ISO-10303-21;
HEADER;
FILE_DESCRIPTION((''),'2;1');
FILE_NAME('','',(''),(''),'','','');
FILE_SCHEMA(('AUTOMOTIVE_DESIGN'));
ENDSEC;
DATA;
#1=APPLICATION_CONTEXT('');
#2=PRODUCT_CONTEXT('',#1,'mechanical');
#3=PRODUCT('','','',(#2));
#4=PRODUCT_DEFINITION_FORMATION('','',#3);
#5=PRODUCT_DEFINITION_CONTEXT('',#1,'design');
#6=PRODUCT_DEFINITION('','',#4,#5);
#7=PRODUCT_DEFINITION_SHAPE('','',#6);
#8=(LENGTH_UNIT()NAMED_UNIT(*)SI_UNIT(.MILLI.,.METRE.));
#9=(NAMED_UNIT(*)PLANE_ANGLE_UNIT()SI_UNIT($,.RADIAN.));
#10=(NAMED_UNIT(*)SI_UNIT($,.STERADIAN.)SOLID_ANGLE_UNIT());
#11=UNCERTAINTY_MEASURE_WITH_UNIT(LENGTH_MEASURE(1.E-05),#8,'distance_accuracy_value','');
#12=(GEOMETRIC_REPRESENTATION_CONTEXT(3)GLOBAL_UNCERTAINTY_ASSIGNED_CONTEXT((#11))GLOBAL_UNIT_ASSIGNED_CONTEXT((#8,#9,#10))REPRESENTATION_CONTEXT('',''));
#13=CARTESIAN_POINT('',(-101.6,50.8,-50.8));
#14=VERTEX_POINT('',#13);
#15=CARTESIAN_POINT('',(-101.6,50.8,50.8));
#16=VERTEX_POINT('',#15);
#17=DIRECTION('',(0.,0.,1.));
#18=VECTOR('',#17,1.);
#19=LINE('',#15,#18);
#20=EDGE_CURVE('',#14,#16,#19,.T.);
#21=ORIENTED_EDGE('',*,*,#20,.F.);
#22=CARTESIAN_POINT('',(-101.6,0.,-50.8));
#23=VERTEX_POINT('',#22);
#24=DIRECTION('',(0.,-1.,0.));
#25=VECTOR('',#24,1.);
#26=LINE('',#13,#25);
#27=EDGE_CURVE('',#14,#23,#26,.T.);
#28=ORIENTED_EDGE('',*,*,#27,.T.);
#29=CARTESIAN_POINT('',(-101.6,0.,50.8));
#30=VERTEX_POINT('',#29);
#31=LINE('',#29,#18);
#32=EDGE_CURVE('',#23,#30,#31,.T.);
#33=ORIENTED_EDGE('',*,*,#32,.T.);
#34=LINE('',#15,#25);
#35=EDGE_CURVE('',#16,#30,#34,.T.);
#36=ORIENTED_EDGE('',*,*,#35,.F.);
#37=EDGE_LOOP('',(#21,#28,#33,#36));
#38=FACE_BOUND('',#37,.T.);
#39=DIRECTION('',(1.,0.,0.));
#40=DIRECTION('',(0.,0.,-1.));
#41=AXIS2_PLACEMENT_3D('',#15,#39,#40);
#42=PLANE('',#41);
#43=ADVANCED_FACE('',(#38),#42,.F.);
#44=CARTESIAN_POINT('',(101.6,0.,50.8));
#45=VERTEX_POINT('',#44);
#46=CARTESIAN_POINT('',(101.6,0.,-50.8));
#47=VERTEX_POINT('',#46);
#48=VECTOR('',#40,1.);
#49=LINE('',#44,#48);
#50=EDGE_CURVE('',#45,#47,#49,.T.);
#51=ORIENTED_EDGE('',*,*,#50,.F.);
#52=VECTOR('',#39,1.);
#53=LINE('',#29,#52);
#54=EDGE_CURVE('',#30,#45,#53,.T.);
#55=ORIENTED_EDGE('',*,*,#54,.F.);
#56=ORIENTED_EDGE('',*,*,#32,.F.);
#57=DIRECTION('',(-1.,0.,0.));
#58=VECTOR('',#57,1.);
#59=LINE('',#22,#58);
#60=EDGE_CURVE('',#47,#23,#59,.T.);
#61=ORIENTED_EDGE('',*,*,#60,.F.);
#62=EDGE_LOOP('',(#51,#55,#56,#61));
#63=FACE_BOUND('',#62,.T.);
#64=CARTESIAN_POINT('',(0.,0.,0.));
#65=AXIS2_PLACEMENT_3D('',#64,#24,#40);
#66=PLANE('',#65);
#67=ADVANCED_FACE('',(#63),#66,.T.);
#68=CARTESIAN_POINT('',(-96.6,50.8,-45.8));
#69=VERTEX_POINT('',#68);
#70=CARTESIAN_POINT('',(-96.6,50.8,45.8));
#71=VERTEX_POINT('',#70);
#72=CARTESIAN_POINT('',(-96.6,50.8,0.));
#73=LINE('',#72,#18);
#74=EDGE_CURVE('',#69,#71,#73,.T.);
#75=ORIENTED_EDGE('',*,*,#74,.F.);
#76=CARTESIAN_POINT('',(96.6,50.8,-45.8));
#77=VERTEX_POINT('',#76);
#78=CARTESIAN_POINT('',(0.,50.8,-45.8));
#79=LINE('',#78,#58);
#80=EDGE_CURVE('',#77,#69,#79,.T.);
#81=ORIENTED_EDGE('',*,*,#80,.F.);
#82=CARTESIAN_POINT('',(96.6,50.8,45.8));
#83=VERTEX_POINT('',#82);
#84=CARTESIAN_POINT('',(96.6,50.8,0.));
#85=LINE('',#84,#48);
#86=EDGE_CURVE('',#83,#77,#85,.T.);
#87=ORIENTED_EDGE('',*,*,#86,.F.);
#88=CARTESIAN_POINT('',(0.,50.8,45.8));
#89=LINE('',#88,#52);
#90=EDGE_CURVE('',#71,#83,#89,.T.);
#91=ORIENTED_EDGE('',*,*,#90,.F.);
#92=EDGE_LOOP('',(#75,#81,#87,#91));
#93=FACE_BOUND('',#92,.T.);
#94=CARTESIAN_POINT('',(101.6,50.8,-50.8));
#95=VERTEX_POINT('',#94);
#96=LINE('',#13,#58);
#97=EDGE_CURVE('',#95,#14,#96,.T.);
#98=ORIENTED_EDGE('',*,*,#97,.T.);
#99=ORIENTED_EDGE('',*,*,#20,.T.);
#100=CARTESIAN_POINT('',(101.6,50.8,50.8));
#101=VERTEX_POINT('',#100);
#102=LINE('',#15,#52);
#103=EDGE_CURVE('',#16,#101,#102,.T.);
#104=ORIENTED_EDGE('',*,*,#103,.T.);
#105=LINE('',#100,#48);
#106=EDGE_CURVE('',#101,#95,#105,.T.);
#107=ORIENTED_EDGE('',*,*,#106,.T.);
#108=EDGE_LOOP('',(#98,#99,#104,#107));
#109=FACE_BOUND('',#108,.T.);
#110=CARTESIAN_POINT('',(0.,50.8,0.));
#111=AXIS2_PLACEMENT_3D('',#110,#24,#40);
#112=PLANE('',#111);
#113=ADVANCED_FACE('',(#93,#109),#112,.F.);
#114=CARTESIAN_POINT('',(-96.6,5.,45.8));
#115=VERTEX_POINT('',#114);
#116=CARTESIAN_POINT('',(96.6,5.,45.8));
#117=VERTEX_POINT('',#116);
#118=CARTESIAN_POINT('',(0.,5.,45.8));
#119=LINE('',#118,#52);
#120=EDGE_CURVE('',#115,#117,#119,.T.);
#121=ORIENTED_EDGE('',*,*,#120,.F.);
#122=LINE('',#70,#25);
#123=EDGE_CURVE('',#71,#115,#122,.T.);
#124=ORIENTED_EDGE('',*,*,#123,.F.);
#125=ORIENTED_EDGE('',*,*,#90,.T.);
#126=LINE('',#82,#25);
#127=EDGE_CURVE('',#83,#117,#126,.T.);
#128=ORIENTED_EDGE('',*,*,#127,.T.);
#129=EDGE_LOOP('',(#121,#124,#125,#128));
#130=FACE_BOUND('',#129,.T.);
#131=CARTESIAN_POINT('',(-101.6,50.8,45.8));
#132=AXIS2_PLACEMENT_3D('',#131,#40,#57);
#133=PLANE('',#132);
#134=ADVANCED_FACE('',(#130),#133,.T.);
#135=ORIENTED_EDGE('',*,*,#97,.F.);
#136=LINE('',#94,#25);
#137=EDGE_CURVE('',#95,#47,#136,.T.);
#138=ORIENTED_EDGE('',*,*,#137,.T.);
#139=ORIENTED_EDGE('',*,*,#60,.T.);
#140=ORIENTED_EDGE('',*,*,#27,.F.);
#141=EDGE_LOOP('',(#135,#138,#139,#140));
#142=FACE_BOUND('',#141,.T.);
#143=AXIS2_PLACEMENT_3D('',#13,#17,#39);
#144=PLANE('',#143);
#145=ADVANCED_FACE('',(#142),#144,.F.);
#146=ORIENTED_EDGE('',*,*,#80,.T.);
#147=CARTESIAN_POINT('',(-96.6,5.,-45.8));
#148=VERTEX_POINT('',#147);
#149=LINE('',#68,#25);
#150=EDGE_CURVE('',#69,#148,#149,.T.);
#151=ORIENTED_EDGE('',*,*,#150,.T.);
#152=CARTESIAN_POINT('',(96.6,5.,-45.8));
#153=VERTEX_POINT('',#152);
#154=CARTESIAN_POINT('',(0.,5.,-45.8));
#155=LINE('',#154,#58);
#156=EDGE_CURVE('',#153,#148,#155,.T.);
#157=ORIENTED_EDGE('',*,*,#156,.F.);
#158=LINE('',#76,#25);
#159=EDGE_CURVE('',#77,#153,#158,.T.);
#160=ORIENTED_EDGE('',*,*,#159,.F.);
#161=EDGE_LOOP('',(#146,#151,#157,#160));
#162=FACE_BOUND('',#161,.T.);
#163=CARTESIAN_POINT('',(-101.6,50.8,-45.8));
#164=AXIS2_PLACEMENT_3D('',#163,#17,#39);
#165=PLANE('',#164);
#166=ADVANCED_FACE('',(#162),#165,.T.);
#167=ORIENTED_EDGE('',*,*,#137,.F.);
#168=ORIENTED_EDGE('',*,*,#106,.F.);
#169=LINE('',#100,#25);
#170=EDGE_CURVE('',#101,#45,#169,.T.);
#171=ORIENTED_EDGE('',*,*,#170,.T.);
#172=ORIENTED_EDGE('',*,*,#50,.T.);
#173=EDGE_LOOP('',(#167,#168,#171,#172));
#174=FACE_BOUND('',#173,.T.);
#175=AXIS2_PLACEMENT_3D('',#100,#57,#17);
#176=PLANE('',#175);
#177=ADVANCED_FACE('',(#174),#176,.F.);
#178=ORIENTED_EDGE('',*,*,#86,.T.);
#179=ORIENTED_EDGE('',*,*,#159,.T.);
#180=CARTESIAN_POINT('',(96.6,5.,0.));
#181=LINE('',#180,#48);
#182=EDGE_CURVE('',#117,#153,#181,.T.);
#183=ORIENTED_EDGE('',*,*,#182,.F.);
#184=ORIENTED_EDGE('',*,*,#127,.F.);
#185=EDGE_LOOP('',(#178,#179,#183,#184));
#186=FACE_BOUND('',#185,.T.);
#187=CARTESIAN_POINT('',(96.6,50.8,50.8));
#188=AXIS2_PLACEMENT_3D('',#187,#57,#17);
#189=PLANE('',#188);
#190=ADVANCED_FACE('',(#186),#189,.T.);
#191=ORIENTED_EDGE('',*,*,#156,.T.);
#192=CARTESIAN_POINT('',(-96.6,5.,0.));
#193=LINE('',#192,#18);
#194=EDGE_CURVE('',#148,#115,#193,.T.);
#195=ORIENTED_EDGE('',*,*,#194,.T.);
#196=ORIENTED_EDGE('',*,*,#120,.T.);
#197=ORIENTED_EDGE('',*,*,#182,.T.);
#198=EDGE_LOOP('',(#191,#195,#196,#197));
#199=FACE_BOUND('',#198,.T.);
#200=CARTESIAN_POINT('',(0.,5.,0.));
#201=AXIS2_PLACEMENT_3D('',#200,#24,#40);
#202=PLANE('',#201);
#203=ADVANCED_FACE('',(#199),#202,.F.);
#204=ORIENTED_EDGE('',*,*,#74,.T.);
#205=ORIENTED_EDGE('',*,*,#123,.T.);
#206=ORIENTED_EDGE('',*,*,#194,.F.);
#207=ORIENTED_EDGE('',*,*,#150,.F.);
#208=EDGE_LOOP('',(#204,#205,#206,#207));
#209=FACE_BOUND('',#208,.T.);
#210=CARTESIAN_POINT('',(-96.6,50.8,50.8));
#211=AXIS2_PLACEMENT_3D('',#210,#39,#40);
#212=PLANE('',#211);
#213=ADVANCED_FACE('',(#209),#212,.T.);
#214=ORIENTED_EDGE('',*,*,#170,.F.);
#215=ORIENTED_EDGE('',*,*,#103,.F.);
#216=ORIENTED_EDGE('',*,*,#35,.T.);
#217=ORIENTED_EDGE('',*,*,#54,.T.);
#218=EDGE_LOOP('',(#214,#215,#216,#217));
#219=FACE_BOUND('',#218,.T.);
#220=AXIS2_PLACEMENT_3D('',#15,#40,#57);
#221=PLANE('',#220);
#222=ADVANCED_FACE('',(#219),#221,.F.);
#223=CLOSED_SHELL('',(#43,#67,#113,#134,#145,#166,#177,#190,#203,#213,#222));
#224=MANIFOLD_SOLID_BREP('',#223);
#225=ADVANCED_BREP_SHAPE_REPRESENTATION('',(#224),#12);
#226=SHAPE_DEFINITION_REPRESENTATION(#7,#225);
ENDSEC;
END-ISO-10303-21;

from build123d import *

# Parameters (mm, degrees)
SKETCH1_W           = 203.2
SKETCH1_H           = 101.6
BOSS_EXTRUDE1_DEPTH = 50.8
SHELL3_T            = -5


with BuildPart() as part:
    # Sketch1 → Boss-Extrude1 (new body)
    with BuildSketch(Plane(origin=(0, 0, 0), x_dir=(1, 0, 0), z_dir=(0, 1, 0))):
        Rectangle(SKETCH1_W, SKETCH1_H)
    extrude(amount=BOSS_EXTRUDE1_DEPTH)

    # Shell3
    shell3_openings = [part.faces().sort_by_distance(p)[0] for p in [
        (0, 50.8, 0),
    ]]
    offset(amount=SHELL3_T, openings=shell3_openings, kind=Kind.INTERSECTION)


solid = part.part
